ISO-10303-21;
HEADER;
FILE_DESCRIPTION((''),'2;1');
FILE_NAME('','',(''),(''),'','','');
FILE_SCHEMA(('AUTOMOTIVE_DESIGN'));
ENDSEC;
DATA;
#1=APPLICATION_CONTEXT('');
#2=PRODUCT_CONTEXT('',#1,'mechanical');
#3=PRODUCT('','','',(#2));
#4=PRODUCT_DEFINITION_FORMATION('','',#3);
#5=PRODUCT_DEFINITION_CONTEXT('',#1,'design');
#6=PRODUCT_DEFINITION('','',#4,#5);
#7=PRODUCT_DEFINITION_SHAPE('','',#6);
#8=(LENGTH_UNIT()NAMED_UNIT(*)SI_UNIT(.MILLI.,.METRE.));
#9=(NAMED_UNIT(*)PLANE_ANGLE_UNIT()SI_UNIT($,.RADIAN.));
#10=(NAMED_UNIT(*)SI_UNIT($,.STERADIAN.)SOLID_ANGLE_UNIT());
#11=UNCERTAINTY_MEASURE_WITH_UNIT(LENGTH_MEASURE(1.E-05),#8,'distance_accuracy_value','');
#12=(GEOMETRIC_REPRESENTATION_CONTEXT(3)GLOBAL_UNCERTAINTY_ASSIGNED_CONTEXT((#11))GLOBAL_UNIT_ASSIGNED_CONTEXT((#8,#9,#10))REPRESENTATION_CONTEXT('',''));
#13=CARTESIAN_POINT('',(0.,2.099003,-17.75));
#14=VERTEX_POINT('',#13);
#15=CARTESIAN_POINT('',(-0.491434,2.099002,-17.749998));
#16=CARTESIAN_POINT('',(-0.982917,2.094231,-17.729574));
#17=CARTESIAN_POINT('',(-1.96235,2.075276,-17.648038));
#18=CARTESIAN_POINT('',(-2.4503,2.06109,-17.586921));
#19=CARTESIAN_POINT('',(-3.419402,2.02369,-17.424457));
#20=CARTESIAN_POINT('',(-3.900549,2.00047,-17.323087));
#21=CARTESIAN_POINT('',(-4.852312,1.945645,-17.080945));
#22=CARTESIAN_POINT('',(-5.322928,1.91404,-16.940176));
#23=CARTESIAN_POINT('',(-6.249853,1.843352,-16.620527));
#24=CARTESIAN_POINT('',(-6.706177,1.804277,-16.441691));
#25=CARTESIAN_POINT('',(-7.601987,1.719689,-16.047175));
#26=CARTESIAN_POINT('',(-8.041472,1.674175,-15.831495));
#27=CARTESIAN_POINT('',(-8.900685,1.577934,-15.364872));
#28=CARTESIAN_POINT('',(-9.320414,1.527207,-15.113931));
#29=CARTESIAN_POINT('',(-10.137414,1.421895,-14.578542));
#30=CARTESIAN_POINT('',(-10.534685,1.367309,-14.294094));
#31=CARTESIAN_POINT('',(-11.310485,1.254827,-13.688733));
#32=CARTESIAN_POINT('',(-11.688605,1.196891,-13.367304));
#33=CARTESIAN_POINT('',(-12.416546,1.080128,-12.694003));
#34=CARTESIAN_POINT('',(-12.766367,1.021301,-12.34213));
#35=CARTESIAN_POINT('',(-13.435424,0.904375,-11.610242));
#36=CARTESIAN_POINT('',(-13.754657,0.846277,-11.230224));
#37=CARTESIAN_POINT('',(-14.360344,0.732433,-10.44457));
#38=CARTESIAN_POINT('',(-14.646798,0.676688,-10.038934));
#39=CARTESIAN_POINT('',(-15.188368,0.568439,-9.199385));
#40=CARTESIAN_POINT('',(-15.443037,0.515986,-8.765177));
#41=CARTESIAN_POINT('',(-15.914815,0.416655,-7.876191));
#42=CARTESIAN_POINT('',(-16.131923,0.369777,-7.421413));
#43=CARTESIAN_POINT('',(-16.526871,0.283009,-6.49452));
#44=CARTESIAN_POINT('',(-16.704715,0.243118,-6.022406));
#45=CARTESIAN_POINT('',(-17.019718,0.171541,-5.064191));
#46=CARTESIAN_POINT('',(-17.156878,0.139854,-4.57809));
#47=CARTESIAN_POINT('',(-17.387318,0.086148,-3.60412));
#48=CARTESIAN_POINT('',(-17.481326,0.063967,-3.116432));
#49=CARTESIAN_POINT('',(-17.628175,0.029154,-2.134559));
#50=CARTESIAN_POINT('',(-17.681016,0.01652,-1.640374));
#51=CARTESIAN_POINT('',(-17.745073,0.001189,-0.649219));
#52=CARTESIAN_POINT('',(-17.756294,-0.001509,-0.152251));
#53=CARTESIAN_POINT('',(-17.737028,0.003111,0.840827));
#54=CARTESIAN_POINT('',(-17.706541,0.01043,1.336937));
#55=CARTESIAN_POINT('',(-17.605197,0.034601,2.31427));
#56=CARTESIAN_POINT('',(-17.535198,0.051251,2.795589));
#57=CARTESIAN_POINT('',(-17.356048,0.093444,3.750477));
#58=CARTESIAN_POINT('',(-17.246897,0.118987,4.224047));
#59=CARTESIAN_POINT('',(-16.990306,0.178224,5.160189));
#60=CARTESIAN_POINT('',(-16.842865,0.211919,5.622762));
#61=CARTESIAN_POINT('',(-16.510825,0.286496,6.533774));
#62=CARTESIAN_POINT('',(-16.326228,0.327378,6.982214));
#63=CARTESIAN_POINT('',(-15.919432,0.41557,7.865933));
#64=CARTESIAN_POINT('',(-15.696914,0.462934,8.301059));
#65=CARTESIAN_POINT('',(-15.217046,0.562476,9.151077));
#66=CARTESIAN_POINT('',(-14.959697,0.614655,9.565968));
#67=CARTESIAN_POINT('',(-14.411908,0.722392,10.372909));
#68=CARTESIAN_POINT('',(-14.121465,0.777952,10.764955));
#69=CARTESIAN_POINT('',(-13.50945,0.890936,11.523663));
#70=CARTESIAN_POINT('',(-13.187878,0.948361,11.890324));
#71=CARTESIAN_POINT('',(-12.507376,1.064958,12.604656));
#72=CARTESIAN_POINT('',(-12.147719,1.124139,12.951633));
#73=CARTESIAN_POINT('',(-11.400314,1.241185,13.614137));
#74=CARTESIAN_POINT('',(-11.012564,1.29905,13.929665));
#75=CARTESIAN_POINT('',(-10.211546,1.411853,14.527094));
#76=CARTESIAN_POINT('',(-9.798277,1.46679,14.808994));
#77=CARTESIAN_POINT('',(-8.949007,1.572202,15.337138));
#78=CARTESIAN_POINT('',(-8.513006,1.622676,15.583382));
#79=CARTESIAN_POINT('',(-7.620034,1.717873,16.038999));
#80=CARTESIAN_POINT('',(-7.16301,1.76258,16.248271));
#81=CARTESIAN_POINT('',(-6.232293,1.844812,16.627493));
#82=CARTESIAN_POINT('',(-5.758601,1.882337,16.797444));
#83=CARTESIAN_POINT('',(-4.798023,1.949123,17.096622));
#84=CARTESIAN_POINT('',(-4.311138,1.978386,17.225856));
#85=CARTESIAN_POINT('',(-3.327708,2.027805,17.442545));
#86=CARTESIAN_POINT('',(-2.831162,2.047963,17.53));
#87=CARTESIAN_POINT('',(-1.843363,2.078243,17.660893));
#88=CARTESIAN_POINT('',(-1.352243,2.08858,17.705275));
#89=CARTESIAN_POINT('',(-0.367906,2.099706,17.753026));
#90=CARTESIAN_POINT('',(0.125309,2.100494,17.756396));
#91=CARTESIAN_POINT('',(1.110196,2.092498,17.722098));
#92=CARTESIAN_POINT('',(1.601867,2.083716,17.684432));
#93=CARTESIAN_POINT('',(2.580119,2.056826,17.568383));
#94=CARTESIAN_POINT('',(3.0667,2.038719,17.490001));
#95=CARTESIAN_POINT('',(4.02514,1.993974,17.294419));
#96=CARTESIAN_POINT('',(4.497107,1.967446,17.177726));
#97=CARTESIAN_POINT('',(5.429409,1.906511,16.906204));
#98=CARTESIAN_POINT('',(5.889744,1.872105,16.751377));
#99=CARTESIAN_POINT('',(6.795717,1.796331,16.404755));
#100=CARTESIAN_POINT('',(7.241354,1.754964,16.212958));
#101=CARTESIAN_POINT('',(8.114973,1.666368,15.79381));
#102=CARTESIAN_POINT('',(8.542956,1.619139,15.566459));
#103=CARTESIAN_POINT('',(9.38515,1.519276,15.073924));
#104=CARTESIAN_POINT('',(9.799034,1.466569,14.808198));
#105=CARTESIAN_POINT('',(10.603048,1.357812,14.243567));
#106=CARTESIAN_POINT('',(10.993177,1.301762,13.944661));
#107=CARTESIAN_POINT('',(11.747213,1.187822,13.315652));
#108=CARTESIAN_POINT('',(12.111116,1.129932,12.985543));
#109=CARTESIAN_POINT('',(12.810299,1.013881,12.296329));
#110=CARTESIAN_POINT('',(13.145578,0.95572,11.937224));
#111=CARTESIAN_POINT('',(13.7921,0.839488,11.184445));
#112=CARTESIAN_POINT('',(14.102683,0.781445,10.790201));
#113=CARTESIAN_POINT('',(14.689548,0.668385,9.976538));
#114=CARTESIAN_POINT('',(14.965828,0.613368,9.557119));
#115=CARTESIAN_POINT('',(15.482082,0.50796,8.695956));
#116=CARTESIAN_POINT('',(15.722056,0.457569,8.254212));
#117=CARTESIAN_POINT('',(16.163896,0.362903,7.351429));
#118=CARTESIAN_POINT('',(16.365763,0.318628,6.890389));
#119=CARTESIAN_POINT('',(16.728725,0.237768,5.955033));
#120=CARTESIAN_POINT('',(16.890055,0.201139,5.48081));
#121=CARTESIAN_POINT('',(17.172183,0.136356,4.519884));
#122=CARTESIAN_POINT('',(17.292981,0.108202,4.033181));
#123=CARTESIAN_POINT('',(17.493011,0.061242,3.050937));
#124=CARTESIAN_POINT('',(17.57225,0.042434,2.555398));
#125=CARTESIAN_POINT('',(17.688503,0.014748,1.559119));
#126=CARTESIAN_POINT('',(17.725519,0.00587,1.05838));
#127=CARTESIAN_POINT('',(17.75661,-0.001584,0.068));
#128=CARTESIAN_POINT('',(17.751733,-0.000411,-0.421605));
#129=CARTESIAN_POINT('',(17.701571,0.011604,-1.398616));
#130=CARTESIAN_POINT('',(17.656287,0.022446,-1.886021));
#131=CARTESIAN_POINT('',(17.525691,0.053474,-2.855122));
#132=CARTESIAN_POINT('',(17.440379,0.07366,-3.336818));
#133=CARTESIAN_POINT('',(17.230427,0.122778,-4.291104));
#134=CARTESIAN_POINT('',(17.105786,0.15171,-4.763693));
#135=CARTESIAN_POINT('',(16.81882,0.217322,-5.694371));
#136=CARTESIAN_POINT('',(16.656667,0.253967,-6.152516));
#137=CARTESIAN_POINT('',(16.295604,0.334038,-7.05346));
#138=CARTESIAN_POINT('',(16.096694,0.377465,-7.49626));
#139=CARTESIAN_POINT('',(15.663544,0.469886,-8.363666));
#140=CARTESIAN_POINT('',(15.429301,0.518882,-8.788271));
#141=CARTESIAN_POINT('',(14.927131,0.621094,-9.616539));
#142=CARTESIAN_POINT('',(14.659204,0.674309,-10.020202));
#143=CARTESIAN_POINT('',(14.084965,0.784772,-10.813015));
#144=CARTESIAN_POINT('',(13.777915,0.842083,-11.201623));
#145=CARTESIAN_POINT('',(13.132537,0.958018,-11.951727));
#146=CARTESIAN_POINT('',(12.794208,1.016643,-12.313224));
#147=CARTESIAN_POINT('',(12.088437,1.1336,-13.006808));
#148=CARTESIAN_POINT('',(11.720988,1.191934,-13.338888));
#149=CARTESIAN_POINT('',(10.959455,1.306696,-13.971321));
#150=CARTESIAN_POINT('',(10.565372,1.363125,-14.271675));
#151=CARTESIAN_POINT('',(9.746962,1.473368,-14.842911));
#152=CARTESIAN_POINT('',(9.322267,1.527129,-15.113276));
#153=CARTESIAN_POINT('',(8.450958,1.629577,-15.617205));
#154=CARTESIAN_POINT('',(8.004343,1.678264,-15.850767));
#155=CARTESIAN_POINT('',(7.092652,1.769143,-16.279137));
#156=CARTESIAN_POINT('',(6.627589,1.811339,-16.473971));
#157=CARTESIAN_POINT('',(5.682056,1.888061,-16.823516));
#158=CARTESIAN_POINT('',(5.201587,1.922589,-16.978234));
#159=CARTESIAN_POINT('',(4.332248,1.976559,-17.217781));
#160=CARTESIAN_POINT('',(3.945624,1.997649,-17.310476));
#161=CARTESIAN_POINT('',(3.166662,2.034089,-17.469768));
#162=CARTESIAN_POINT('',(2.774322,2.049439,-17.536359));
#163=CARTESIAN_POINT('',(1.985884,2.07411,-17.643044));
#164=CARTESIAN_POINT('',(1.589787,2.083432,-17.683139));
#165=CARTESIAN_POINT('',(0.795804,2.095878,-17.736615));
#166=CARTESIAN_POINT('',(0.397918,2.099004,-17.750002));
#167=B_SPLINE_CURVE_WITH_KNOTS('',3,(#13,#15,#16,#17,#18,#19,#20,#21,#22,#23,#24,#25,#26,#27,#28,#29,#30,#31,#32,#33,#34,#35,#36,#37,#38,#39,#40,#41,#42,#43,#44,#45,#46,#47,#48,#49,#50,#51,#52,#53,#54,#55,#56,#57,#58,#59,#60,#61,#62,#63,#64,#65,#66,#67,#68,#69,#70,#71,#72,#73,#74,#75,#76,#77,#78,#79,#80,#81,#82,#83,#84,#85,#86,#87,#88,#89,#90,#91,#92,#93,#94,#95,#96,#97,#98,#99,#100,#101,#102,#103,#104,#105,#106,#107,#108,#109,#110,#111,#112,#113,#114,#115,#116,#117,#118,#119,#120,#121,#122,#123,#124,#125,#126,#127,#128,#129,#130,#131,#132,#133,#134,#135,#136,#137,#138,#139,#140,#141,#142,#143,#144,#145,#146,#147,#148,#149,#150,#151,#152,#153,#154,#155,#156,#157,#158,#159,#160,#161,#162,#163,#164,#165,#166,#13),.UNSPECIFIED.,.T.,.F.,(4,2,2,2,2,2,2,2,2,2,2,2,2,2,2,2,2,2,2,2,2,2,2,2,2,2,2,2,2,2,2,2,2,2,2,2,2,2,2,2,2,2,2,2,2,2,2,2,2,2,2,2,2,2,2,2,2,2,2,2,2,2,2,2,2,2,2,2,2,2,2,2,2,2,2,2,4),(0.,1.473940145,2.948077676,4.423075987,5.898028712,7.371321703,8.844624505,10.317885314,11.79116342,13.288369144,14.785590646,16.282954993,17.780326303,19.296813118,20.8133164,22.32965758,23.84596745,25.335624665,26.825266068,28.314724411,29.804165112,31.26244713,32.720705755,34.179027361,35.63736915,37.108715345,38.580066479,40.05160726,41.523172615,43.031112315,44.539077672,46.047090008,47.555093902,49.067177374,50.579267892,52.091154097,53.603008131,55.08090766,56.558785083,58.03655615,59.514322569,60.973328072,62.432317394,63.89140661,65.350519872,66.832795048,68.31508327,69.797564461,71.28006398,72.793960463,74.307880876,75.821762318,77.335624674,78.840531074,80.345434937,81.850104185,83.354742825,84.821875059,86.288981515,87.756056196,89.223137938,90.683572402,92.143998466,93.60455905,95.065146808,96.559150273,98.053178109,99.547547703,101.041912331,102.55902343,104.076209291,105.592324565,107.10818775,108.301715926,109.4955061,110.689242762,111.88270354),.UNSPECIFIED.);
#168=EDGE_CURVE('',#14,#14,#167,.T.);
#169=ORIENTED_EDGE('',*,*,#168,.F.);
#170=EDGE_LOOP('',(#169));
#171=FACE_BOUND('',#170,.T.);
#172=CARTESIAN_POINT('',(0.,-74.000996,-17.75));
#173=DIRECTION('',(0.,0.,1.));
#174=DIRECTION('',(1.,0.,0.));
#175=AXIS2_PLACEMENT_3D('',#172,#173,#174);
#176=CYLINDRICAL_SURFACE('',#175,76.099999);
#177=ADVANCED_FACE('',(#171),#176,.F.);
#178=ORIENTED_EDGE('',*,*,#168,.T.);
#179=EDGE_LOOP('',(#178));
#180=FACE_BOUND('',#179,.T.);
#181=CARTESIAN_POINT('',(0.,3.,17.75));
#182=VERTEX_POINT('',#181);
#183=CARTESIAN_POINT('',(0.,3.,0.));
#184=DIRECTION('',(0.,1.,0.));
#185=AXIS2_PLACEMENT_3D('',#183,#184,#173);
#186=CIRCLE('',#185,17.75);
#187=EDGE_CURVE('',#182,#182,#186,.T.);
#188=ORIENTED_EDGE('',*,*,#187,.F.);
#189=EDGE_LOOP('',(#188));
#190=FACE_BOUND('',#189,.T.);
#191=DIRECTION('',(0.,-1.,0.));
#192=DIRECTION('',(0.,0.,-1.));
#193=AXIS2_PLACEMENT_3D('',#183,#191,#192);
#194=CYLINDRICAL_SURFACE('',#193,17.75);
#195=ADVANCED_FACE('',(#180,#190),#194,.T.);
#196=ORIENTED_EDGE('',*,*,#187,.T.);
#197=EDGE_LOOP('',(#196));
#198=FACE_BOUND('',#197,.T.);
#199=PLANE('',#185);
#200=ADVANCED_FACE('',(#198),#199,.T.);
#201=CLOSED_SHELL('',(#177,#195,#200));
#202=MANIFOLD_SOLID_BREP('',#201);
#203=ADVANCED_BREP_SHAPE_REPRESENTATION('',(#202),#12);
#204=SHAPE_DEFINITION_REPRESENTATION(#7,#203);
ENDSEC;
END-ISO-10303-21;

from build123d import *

# Parameters (mm, degrees)
SKETCH1_R               = 17.75
BOSS_EXTRUDE1_DEPTH     = 3
CUT_EXTRUDE2_DEPTH      = 26.28092166
CUT_EXTRUDE2_DEPTH_BACK = 26.28092166


with BuildPart() as part:
    # Sketch1 → Boss-Extrude1 (new body)
    with BuildSketch(Plane(origin=(0, 0, 0), x_dir=(1, 0, 0), z_dir=(0, 1, 0))):
        with Locations(Location((0, 0, 0), (0, 0, 270))):
            Circle(SKETCH1_R)
    extrude(amount=BOSS_EXTRUDE1_DEPTH)

    # Sketch2 → Cut-Extrude2 (cut, two sides: drawn at the far end of the back side and taken through both)
    with BuildSketch(Plane.XY.offset(-CUT_EXTRUDE2_DEPTH_BACK)):
        with BuildLine():
            Line((-17.75, 0), (17.75, 0))
            ThreePointArc((17.75, 0), (0, 2.0990034), (-17.75, 0))
        make_face()
    extrude(amount=CUT_EXTRUDE2_DEPTH + CUT_EXTRUDE2_DEPTH_BACK, mode=Mode.SUBTRACT)


solid = part.part
